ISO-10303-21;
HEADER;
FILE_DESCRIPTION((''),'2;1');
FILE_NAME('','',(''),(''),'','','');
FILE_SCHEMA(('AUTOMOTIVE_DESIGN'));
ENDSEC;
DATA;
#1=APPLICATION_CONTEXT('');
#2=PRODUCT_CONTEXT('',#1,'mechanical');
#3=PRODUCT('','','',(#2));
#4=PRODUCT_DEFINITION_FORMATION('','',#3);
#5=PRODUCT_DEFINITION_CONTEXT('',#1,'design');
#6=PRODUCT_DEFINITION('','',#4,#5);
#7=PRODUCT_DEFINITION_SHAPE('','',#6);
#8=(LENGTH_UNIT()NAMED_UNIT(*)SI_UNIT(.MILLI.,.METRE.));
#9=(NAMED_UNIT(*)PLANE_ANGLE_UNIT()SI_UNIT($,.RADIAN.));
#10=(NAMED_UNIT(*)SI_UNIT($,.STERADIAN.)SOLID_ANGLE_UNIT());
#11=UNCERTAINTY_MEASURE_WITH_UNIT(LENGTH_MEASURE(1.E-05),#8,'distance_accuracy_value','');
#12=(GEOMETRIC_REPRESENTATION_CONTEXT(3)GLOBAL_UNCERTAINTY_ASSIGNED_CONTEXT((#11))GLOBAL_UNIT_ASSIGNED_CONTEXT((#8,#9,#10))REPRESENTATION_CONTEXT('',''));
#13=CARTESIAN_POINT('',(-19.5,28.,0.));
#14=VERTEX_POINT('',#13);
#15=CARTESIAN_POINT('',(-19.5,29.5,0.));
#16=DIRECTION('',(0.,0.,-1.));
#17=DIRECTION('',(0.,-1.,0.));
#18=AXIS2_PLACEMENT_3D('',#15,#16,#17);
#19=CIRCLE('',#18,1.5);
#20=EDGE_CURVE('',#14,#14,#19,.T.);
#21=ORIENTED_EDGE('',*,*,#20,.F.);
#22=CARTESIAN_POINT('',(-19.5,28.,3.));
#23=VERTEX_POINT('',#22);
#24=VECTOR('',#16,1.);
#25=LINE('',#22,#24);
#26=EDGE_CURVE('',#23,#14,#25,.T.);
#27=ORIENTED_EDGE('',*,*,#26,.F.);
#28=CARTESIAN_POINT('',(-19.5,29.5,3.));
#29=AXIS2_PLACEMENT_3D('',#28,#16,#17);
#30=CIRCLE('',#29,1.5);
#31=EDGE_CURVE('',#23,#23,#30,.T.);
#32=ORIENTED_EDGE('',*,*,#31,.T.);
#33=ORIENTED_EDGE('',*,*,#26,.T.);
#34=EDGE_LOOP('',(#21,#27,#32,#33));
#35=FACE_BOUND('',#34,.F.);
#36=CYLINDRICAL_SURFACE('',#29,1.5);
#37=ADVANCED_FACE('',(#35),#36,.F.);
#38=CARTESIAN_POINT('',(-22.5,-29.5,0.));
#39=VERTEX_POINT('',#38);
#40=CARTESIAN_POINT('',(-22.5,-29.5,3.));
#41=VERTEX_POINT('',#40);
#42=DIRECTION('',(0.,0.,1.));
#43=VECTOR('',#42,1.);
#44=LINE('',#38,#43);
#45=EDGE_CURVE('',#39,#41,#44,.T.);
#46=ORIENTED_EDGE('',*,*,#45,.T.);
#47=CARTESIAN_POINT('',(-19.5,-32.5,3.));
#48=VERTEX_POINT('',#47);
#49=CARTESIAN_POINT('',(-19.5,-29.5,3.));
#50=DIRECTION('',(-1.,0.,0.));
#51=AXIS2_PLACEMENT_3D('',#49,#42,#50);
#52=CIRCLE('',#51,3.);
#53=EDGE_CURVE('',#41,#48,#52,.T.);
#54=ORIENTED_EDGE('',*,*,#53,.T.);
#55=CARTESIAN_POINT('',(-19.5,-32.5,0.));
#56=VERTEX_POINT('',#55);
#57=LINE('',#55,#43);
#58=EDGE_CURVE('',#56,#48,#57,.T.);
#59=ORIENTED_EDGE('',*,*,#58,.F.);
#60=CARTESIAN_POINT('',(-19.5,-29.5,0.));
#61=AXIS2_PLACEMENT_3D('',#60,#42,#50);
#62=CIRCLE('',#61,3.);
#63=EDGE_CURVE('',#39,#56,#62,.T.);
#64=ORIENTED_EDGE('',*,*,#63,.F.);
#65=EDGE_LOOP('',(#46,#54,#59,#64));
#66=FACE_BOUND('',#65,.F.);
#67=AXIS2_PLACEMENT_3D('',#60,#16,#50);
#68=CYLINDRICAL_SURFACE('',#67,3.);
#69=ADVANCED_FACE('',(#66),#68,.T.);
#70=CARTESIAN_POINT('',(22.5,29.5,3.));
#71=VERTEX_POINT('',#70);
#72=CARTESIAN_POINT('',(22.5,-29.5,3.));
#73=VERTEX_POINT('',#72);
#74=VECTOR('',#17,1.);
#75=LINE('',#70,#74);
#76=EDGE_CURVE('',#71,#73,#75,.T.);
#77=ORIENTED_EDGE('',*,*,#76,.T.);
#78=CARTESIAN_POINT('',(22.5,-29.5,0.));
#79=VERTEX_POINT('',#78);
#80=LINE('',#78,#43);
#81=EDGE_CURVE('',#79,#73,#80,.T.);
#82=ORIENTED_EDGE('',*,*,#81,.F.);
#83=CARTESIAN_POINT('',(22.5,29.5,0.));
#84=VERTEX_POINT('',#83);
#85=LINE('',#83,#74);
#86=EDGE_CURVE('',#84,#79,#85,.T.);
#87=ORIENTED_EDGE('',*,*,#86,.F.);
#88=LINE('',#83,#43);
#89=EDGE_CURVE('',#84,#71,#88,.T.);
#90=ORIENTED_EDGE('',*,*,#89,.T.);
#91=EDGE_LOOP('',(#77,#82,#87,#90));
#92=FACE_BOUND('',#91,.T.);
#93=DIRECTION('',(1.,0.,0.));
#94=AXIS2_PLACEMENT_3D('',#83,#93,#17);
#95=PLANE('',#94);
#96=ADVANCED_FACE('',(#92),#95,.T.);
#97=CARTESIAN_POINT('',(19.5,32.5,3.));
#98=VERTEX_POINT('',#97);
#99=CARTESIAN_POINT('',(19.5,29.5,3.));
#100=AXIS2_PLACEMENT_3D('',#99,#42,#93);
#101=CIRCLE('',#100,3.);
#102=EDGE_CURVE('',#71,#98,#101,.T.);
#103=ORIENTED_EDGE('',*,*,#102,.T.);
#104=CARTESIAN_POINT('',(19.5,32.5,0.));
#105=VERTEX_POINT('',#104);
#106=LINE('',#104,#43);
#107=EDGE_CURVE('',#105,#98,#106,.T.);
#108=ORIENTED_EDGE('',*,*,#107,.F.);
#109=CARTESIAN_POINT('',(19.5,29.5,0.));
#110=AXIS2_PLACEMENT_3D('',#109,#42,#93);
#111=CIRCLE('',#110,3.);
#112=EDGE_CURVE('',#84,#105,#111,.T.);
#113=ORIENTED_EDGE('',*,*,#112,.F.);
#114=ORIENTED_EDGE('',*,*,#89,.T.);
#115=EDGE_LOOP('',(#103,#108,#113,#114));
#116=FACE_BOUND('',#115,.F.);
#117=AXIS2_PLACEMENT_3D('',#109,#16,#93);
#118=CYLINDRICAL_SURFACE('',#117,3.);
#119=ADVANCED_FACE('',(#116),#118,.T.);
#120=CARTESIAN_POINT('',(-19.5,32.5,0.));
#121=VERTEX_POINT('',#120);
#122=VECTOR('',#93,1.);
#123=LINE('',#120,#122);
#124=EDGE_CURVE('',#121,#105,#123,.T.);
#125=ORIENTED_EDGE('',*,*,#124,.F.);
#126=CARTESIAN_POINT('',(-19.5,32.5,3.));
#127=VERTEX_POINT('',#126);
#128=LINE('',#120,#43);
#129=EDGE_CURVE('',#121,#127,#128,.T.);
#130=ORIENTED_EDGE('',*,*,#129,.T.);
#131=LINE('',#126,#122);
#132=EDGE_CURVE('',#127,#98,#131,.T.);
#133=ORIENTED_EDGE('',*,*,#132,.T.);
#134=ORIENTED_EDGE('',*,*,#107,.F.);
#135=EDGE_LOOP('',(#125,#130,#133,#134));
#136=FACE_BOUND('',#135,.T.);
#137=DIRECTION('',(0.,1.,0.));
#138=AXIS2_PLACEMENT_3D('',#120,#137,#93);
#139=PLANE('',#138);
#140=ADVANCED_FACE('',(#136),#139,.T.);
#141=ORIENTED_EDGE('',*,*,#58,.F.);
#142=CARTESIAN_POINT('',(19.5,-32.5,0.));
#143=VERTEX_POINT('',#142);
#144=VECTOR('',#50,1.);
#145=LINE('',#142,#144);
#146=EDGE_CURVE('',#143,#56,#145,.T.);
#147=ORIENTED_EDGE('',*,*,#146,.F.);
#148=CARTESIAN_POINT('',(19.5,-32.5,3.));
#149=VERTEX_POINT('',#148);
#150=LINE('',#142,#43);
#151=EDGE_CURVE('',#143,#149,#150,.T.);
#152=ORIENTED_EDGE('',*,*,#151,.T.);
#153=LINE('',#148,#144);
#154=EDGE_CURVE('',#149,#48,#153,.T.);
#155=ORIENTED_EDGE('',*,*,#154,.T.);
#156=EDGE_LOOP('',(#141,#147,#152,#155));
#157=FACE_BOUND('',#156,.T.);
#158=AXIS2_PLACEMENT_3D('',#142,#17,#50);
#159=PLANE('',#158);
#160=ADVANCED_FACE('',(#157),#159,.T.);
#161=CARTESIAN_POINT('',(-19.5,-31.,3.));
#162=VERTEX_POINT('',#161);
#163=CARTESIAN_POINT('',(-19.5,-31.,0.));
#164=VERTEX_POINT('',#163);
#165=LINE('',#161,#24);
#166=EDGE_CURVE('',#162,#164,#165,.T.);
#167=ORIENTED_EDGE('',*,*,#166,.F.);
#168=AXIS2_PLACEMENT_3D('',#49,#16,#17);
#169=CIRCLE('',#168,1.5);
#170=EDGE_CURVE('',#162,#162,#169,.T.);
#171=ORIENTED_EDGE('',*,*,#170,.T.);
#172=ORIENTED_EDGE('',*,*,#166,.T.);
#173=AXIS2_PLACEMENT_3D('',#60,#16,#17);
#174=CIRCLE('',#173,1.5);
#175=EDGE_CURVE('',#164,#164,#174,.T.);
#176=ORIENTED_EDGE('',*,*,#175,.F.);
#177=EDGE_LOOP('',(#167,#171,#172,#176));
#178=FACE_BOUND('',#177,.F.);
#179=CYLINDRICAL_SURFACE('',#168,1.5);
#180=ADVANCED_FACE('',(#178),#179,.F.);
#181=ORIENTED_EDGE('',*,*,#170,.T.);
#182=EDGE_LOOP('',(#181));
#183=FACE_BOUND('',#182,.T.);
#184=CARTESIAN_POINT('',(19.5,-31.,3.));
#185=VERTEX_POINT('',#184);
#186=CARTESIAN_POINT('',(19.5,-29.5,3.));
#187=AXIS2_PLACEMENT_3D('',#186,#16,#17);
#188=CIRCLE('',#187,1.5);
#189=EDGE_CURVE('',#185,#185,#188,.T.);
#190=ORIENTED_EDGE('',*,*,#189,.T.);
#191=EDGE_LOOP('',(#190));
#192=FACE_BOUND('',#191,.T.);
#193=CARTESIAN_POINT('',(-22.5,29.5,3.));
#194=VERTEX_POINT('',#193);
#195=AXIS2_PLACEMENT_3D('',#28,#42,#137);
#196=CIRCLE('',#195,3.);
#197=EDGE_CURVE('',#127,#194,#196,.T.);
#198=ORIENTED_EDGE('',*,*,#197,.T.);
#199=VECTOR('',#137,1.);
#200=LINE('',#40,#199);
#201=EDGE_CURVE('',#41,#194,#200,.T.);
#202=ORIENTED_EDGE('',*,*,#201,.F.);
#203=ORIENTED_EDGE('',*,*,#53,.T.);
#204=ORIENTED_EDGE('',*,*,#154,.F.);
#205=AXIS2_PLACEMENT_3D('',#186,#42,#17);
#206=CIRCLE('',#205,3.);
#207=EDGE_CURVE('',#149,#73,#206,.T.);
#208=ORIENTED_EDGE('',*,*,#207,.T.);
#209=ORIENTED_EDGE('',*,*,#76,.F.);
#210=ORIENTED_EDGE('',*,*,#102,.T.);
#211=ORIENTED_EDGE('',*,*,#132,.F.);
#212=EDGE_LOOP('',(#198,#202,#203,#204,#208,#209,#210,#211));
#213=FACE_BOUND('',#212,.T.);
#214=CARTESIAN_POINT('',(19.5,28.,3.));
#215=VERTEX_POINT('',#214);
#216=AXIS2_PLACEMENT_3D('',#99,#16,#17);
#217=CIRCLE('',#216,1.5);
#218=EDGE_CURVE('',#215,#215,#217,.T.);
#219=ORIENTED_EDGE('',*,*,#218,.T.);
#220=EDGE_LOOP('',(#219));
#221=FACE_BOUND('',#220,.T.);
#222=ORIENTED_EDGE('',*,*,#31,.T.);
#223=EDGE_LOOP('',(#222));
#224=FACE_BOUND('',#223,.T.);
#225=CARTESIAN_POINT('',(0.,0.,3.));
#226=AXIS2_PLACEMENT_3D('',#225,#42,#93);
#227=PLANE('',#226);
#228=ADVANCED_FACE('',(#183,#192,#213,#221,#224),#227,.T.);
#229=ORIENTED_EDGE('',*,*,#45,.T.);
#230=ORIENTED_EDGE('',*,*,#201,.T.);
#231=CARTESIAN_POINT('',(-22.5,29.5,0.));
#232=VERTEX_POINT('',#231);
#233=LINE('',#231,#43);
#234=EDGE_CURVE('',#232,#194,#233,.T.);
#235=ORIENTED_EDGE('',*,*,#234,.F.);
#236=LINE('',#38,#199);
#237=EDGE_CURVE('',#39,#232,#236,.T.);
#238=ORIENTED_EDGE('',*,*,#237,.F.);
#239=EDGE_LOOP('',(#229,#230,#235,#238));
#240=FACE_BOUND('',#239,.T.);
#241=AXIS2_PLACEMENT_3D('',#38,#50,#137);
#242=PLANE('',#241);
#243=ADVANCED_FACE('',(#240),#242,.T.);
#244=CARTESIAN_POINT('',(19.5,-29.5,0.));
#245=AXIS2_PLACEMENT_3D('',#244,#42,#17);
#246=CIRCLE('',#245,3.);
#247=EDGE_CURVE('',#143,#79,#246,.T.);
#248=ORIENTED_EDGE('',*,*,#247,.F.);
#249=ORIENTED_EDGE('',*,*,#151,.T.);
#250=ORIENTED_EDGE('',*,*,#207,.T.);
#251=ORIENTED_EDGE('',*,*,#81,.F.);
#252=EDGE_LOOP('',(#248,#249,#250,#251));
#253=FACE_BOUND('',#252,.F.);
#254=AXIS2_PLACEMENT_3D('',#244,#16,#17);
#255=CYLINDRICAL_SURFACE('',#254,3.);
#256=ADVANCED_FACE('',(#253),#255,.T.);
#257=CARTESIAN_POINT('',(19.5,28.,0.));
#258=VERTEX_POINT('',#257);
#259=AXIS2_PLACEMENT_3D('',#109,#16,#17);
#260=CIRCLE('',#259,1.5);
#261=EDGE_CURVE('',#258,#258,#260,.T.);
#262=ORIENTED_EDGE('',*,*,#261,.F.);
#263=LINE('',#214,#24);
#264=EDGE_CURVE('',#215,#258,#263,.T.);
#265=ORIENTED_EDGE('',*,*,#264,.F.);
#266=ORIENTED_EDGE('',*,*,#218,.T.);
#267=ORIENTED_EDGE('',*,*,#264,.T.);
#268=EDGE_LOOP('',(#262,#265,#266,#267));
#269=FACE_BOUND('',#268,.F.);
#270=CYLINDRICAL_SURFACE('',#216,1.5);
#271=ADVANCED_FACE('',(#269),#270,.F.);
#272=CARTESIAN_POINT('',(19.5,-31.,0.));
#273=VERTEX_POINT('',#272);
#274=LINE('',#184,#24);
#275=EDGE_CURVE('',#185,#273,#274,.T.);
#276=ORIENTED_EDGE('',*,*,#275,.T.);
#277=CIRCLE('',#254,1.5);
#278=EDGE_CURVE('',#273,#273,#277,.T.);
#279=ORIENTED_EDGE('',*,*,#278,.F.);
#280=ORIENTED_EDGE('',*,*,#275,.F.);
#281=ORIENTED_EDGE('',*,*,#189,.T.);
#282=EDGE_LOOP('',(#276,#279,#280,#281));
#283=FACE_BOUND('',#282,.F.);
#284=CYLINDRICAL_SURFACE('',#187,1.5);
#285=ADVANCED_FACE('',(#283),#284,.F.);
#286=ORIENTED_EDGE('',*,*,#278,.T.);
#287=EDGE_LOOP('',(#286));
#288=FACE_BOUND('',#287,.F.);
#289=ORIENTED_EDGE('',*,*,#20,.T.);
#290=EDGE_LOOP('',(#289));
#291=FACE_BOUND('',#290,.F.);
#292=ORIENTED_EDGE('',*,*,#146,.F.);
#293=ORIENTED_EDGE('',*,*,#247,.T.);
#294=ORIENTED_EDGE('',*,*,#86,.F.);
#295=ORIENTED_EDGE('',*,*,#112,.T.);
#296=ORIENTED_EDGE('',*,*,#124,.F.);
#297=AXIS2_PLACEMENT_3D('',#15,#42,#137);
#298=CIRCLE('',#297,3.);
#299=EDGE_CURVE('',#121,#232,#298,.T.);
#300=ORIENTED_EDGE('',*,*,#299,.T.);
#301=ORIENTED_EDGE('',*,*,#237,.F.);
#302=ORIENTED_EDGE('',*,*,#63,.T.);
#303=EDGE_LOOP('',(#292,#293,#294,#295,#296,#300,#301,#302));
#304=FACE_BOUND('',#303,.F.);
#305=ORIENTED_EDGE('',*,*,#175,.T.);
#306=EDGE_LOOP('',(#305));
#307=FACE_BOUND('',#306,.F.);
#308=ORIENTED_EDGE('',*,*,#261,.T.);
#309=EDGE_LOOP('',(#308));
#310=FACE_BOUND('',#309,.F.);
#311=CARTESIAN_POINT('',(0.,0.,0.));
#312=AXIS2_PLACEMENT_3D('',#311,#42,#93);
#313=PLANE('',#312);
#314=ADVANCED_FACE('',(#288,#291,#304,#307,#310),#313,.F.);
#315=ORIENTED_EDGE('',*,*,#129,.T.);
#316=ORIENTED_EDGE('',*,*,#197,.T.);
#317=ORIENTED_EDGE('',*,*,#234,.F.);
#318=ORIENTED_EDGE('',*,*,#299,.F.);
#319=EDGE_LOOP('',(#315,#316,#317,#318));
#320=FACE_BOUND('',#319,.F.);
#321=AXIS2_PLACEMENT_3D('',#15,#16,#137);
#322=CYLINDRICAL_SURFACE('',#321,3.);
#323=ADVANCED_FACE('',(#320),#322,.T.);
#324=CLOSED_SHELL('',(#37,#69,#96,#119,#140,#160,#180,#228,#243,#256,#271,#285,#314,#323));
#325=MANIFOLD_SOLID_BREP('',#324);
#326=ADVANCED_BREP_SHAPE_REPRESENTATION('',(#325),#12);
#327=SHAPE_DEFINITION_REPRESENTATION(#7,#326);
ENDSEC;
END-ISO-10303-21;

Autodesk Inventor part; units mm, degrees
ref_plane "YZ Plane" through (0, 0, 0) normal (1, 0, 0) x (0, 1, 0)
ref_plane "XZ Plane" through (0, 0, 0) normal (0, 1, 0) x (-1, 0, 0)
ref_plane "XY Plane" through (0, 0, 0) normal (0, 0, 1) x (1, 0, 0)
sketch "スケッチ1" plane through (0, 0, 0) normal (0, 0, 1) x (1, 0, 0)
  line L0 (19.5, -32.5) -> (-19.5, -32.5)
  line L1 (-22.5, -29.5) -> (-22.5, 29.5)
  line L2 (-19.5, 32.5) -> (19.5, 32.5)
  line L3 (22.5, 29.5) -> (22.5, -29.5)
  line L4 (22.5, -32.5) -> (-22.5, 32.5) construction
  line L5 (-22.5, -32.5) -> (22.5, 32.5) construction
  arc A0 (-19.5, 32.5) -> (-22.5, 29.5) centre (-19.5, 29.5) ccw
  arc A1 (22.5, 29.5) -> (19.5, 32.5) centre (19.5, 29.5) ccw
  arc A2 (19.5, -32.5) -> (22.5, -29.5) centre (19.5, -29.5) ccw
  arc A3 (-22.5, -29.5) -> (-19.5, -32.5) centre (-19.5, -29.5) ccw
  point P0 (0, 0)
  dimension "d0" = 45
  dimension "d1" = 65
  dimension "d2" = 3
extrude "押し出し1" add sketch "スケッチ1" along normal blind 3
sketch "スケッチ2" plane through (0, 0, 3) normal (0, 0, 1) x (1, 0, 0)
  arc A0 (-19.5, 32.5) -> (-22.5, 29.5) centre (-19.5, 29.5) ccw projected
  arc A1 (-22.5, -29.5) -> (-19.5, -32.5) centre (-19.5, -29.5) ccw projected
  arc A2 (19.5, -32.5) -> (22.5, -29.5) centre (19.5, -29.5) ccw projected
  arc A3 (22.5, 29.5) -> (19.5, 32.5) centre (19.5, 29.5) ccw projected
  circle A4 centre (-19.5, 29.5) radius 1.5
  circle A5 centre (19.5, 29.5) radius 1.5
  circle A6 centre (19.5, -29.5) radius 1.5
  circle A7 centre (-19.5, -29.5) radius 1.5
  point P0 (0, 0)
  dimension "d5" = 3
hole "穴1" at (-19.5, -29.5, 3) at (19.5, -29.5, 3) at (19.5, 29.5, 3) at (-19.5, 29.5, 3) direction (0, 0, -1) diameter 3 end through all
properties part number "ET-40_Cover" material "ポリカーボネート、クリア"
